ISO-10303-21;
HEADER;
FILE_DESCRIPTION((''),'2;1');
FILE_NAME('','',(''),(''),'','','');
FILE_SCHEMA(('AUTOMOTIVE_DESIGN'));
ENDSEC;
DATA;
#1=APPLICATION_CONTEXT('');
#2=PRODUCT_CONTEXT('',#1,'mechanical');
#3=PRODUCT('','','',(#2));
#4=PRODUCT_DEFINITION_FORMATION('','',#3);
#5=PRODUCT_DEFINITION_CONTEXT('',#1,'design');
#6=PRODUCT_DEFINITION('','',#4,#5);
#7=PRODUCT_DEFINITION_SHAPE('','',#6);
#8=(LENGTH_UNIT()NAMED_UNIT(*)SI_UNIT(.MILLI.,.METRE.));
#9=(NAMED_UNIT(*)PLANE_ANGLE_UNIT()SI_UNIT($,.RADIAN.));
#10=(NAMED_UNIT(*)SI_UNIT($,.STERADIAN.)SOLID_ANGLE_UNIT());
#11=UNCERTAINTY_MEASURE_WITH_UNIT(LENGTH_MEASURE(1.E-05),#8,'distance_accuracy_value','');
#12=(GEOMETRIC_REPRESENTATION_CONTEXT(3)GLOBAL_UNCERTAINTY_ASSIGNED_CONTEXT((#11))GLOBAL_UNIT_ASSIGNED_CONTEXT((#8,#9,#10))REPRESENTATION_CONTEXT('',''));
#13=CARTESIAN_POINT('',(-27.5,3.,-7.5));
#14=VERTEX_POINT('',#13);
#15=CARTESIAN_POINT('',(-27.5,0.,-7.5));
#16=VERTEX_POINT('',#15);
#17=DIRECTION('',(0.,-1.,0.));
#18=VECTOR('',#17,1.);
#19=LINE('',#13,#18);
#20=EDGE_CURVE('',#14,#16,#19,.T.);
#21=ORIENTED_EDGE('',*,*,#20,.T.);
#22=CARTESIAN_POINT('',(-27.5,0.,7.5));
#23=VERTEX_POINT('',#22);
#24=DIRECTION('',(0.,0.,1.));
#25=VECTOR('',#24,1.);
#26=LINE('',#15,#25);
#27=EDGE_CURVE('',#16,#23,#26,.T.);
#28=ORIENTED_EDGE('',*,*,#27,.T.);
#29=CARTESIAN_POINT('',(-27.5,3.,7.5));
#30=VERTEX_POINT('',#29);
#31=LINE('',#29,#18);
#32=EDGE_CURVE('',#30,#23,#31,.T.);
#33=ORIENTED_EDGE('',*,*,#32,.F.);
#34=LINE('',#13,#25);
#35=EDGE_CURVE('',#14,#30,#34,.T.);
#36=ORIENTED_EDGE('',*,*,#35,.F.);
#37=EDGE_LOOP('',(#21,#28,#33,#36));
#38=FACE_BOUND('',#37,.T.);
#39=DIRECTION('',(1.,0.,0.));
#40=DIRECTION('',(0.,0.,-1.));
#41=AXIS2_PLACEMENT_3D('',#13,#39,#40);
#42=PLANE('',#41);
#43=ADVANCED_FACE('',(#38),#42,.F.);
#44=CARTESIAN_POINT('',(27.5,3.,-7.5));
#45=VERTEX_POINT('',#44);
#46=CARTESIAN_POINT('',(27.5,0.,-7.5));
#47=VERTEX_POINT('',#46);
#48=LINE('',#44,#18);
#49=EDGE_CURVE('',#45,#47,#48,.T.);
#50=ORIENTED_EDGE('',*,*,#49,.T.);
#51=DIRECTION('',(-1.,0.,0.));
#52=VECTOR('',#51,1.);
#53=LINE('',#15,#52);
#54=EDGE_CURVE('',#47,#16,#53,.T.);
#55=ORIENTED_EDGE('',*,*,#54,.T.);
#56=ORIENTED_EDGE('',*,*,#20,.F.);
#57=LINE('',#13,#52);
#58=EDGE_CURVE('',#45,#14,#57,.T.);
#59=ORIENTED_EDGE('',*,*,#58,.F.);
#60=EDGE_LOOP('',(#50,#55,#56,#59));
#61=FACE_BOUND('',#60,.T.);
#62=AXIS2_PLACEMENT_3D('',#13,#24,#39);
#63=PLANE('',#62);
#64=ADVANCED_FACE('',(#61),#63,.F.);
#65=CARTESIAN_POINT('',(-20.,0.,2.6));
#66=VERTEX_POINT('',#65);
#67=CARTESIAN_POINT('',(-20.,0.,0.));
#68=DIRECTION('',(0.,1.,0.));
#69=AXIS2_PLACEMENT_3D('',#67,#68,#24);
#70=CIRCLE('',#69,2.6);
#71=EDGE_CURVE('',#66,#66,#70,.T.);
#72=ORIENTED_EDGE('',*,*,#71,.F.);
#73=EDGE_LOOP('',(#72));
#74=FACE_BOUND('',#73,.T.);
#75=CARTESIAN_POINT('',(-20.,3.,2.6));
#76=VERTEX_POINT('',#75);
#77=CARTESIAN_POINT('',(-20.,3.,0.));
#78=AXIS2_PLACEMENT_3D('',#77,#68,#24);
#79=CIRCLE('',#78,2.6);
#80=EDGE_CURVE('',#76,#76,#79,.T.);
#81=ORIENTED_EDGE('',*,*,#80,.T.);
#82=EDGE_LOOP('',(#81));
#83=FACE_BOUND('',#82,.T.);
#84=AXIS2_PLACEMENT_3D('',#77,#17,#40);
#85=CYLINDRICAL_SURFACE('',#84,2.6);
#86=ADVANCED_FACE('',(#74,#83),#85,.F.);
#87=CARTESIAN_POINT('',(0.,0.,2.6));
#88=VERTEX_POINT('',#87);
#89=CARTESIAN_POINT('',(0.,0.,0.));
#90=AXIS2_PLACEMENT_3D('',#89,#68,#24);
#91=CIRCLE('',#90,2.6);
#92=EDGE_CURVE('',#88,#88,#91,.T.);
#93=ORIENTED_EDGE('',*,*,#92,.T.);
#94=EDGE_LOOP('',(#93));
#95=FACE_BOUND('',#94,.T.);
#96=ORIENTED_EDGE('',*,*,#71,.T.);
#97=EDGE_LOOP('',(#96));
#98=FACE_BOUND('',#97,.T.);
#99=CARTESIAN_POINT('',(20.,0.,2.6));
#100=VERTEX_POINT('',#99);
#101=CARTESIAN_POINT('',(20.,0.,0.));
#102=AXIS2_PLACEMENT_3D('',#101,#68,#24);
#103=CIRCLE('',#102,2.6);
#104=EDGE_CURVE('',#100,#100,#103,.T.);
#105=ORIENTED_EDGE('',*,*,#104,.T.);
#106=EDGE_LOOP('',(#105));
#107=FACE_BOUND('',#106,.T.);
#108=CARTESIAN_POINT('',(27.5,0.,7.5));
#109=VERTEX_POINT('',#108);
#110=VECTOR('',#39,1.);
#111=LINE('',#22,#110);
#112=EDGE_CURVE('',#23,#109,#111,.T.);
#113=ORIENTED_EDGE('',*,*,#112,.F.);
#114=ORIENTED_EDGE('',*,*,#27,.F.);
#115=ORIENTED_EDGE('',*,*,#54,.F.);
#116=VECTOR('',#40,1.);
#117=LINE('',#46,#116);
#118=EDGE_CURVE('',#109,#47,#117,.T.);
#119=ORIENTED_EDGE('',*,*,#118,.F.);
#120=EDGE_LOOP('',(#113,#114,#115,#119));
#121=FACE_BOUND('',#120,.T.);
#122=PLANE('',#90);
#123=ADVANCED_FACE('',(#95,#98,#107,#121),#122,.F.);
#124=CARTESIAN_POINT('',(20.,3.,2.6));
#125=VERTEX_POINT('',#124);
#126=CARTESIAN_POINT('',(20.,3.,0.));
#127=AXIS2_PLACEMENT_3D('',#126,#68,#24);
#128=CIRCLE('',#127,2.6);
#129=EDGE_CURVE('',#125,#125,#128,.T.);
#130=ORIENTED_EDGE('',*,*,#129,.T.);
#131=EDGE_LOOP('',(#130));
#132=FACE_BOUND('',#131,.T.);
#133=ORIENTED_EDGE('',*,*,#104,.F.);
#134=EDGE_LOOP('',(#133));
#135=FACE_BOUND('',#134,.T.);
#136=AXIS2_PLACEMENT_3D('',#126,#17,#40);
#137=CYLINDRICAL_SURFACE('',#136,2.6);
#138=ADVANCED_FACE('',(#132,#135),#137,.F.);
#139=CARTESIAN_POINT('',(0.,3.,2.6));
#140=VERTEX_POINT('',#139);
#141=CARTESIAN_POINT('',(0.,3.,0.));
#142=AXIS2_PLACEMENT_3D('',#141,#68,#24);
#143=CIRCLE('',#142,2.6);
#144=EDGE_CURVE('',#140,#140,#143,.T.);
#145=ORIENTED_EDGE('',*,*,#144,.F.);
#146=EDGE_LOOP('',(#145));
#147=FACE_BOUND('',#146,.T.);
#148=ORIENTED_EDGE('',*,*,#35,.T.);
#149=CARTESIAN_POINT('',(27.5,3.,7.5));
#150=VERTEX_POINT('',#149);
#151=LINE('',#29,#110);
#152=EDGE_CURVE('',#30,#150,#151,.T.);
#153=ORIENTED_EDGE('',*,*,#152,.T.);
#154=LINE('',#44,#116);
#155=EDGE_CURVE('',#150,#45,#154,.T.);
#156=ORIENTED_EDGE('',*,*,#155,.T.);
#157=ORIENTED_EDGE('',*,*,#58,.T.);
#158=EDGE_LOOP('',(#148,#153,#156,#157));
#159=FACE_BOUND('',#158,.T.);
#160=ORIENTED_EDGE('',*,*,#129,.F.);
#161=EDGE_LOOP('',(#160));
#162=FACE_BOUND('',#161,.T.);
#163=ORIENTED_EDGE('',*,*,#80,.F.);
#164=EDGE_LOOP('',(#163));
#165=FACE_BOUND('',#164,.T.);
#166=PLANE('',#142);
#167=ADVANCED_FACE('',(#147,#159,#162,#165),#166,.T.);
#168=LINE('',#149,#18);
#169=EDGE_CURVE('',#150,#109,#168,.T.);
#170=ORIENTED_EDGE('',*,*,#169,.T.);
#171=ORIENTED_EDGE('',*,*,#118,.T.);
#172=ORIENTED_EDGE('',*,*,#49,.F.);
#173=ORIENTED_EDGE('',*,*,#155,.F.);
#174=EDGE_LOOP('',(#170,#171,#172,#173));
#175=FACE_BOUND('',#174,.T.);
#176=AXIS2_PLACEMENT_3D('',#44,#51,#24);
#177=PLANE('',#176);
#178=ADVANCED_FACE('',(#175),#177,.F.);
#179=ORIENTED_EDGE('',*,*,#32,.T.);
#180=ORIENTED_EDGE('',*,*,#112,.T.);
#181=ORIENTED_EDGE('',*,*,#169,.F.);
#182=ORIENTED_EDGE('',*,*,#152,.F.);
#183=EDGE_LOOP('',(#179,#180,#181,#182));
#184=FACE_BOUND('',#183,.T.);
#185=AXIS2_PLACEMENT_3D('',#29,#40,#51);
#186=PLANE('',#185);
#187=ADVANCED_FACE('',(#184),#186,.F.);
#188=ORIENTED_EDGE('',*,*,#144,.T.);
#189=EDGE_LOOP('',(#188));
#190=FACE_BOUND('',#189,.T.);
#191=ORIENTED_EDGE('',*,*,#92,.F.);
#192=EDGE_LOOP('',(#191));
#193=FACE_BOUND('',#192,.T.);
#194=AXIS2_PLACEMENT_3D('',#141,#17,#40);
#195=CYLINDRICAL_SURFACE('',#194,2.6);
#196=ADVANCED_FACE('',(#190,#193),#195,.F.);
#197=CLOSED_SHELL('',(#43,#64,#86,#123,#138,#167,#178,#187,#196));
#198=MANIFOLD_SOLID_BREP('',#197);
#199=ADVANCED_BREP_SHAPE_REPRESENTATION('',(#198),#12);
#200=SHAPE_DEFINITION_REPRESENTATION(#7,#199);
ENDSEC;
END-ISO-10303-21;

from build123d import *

# Parameters (mm, degrees)
SKETCH_1_W      = 55
SKETCH_1_H      = 15
SKETCH_1_R      = 2.6
EXTRUDE_1_DEPTH = 3


with BuildPart() as part:
    # Эскиз1 → Бобышка-Вытянуть1 (new body)
    with BuildSketch(Plane(origin=(0, 0, 0), x_dir=(1, 0, 0), z_dir=(0, 1, 0))):
        Rectangle(SKETCH_1_W, SKETCH_1_H)
        Circle(SKETCH_1_R, mode=Mode.SUBTRACT)
        with Locations((20, 0)):
            Circle(SKETCH_1_R, mode=Mode.SUBTRACT)
        with Locations((-20, 0)):
            Circle(SKETCH_1_R, mode=Mode.SUBTRACT)
    extrude(amount=EXTRUDE_1_DEPTH)


solid = part.part
